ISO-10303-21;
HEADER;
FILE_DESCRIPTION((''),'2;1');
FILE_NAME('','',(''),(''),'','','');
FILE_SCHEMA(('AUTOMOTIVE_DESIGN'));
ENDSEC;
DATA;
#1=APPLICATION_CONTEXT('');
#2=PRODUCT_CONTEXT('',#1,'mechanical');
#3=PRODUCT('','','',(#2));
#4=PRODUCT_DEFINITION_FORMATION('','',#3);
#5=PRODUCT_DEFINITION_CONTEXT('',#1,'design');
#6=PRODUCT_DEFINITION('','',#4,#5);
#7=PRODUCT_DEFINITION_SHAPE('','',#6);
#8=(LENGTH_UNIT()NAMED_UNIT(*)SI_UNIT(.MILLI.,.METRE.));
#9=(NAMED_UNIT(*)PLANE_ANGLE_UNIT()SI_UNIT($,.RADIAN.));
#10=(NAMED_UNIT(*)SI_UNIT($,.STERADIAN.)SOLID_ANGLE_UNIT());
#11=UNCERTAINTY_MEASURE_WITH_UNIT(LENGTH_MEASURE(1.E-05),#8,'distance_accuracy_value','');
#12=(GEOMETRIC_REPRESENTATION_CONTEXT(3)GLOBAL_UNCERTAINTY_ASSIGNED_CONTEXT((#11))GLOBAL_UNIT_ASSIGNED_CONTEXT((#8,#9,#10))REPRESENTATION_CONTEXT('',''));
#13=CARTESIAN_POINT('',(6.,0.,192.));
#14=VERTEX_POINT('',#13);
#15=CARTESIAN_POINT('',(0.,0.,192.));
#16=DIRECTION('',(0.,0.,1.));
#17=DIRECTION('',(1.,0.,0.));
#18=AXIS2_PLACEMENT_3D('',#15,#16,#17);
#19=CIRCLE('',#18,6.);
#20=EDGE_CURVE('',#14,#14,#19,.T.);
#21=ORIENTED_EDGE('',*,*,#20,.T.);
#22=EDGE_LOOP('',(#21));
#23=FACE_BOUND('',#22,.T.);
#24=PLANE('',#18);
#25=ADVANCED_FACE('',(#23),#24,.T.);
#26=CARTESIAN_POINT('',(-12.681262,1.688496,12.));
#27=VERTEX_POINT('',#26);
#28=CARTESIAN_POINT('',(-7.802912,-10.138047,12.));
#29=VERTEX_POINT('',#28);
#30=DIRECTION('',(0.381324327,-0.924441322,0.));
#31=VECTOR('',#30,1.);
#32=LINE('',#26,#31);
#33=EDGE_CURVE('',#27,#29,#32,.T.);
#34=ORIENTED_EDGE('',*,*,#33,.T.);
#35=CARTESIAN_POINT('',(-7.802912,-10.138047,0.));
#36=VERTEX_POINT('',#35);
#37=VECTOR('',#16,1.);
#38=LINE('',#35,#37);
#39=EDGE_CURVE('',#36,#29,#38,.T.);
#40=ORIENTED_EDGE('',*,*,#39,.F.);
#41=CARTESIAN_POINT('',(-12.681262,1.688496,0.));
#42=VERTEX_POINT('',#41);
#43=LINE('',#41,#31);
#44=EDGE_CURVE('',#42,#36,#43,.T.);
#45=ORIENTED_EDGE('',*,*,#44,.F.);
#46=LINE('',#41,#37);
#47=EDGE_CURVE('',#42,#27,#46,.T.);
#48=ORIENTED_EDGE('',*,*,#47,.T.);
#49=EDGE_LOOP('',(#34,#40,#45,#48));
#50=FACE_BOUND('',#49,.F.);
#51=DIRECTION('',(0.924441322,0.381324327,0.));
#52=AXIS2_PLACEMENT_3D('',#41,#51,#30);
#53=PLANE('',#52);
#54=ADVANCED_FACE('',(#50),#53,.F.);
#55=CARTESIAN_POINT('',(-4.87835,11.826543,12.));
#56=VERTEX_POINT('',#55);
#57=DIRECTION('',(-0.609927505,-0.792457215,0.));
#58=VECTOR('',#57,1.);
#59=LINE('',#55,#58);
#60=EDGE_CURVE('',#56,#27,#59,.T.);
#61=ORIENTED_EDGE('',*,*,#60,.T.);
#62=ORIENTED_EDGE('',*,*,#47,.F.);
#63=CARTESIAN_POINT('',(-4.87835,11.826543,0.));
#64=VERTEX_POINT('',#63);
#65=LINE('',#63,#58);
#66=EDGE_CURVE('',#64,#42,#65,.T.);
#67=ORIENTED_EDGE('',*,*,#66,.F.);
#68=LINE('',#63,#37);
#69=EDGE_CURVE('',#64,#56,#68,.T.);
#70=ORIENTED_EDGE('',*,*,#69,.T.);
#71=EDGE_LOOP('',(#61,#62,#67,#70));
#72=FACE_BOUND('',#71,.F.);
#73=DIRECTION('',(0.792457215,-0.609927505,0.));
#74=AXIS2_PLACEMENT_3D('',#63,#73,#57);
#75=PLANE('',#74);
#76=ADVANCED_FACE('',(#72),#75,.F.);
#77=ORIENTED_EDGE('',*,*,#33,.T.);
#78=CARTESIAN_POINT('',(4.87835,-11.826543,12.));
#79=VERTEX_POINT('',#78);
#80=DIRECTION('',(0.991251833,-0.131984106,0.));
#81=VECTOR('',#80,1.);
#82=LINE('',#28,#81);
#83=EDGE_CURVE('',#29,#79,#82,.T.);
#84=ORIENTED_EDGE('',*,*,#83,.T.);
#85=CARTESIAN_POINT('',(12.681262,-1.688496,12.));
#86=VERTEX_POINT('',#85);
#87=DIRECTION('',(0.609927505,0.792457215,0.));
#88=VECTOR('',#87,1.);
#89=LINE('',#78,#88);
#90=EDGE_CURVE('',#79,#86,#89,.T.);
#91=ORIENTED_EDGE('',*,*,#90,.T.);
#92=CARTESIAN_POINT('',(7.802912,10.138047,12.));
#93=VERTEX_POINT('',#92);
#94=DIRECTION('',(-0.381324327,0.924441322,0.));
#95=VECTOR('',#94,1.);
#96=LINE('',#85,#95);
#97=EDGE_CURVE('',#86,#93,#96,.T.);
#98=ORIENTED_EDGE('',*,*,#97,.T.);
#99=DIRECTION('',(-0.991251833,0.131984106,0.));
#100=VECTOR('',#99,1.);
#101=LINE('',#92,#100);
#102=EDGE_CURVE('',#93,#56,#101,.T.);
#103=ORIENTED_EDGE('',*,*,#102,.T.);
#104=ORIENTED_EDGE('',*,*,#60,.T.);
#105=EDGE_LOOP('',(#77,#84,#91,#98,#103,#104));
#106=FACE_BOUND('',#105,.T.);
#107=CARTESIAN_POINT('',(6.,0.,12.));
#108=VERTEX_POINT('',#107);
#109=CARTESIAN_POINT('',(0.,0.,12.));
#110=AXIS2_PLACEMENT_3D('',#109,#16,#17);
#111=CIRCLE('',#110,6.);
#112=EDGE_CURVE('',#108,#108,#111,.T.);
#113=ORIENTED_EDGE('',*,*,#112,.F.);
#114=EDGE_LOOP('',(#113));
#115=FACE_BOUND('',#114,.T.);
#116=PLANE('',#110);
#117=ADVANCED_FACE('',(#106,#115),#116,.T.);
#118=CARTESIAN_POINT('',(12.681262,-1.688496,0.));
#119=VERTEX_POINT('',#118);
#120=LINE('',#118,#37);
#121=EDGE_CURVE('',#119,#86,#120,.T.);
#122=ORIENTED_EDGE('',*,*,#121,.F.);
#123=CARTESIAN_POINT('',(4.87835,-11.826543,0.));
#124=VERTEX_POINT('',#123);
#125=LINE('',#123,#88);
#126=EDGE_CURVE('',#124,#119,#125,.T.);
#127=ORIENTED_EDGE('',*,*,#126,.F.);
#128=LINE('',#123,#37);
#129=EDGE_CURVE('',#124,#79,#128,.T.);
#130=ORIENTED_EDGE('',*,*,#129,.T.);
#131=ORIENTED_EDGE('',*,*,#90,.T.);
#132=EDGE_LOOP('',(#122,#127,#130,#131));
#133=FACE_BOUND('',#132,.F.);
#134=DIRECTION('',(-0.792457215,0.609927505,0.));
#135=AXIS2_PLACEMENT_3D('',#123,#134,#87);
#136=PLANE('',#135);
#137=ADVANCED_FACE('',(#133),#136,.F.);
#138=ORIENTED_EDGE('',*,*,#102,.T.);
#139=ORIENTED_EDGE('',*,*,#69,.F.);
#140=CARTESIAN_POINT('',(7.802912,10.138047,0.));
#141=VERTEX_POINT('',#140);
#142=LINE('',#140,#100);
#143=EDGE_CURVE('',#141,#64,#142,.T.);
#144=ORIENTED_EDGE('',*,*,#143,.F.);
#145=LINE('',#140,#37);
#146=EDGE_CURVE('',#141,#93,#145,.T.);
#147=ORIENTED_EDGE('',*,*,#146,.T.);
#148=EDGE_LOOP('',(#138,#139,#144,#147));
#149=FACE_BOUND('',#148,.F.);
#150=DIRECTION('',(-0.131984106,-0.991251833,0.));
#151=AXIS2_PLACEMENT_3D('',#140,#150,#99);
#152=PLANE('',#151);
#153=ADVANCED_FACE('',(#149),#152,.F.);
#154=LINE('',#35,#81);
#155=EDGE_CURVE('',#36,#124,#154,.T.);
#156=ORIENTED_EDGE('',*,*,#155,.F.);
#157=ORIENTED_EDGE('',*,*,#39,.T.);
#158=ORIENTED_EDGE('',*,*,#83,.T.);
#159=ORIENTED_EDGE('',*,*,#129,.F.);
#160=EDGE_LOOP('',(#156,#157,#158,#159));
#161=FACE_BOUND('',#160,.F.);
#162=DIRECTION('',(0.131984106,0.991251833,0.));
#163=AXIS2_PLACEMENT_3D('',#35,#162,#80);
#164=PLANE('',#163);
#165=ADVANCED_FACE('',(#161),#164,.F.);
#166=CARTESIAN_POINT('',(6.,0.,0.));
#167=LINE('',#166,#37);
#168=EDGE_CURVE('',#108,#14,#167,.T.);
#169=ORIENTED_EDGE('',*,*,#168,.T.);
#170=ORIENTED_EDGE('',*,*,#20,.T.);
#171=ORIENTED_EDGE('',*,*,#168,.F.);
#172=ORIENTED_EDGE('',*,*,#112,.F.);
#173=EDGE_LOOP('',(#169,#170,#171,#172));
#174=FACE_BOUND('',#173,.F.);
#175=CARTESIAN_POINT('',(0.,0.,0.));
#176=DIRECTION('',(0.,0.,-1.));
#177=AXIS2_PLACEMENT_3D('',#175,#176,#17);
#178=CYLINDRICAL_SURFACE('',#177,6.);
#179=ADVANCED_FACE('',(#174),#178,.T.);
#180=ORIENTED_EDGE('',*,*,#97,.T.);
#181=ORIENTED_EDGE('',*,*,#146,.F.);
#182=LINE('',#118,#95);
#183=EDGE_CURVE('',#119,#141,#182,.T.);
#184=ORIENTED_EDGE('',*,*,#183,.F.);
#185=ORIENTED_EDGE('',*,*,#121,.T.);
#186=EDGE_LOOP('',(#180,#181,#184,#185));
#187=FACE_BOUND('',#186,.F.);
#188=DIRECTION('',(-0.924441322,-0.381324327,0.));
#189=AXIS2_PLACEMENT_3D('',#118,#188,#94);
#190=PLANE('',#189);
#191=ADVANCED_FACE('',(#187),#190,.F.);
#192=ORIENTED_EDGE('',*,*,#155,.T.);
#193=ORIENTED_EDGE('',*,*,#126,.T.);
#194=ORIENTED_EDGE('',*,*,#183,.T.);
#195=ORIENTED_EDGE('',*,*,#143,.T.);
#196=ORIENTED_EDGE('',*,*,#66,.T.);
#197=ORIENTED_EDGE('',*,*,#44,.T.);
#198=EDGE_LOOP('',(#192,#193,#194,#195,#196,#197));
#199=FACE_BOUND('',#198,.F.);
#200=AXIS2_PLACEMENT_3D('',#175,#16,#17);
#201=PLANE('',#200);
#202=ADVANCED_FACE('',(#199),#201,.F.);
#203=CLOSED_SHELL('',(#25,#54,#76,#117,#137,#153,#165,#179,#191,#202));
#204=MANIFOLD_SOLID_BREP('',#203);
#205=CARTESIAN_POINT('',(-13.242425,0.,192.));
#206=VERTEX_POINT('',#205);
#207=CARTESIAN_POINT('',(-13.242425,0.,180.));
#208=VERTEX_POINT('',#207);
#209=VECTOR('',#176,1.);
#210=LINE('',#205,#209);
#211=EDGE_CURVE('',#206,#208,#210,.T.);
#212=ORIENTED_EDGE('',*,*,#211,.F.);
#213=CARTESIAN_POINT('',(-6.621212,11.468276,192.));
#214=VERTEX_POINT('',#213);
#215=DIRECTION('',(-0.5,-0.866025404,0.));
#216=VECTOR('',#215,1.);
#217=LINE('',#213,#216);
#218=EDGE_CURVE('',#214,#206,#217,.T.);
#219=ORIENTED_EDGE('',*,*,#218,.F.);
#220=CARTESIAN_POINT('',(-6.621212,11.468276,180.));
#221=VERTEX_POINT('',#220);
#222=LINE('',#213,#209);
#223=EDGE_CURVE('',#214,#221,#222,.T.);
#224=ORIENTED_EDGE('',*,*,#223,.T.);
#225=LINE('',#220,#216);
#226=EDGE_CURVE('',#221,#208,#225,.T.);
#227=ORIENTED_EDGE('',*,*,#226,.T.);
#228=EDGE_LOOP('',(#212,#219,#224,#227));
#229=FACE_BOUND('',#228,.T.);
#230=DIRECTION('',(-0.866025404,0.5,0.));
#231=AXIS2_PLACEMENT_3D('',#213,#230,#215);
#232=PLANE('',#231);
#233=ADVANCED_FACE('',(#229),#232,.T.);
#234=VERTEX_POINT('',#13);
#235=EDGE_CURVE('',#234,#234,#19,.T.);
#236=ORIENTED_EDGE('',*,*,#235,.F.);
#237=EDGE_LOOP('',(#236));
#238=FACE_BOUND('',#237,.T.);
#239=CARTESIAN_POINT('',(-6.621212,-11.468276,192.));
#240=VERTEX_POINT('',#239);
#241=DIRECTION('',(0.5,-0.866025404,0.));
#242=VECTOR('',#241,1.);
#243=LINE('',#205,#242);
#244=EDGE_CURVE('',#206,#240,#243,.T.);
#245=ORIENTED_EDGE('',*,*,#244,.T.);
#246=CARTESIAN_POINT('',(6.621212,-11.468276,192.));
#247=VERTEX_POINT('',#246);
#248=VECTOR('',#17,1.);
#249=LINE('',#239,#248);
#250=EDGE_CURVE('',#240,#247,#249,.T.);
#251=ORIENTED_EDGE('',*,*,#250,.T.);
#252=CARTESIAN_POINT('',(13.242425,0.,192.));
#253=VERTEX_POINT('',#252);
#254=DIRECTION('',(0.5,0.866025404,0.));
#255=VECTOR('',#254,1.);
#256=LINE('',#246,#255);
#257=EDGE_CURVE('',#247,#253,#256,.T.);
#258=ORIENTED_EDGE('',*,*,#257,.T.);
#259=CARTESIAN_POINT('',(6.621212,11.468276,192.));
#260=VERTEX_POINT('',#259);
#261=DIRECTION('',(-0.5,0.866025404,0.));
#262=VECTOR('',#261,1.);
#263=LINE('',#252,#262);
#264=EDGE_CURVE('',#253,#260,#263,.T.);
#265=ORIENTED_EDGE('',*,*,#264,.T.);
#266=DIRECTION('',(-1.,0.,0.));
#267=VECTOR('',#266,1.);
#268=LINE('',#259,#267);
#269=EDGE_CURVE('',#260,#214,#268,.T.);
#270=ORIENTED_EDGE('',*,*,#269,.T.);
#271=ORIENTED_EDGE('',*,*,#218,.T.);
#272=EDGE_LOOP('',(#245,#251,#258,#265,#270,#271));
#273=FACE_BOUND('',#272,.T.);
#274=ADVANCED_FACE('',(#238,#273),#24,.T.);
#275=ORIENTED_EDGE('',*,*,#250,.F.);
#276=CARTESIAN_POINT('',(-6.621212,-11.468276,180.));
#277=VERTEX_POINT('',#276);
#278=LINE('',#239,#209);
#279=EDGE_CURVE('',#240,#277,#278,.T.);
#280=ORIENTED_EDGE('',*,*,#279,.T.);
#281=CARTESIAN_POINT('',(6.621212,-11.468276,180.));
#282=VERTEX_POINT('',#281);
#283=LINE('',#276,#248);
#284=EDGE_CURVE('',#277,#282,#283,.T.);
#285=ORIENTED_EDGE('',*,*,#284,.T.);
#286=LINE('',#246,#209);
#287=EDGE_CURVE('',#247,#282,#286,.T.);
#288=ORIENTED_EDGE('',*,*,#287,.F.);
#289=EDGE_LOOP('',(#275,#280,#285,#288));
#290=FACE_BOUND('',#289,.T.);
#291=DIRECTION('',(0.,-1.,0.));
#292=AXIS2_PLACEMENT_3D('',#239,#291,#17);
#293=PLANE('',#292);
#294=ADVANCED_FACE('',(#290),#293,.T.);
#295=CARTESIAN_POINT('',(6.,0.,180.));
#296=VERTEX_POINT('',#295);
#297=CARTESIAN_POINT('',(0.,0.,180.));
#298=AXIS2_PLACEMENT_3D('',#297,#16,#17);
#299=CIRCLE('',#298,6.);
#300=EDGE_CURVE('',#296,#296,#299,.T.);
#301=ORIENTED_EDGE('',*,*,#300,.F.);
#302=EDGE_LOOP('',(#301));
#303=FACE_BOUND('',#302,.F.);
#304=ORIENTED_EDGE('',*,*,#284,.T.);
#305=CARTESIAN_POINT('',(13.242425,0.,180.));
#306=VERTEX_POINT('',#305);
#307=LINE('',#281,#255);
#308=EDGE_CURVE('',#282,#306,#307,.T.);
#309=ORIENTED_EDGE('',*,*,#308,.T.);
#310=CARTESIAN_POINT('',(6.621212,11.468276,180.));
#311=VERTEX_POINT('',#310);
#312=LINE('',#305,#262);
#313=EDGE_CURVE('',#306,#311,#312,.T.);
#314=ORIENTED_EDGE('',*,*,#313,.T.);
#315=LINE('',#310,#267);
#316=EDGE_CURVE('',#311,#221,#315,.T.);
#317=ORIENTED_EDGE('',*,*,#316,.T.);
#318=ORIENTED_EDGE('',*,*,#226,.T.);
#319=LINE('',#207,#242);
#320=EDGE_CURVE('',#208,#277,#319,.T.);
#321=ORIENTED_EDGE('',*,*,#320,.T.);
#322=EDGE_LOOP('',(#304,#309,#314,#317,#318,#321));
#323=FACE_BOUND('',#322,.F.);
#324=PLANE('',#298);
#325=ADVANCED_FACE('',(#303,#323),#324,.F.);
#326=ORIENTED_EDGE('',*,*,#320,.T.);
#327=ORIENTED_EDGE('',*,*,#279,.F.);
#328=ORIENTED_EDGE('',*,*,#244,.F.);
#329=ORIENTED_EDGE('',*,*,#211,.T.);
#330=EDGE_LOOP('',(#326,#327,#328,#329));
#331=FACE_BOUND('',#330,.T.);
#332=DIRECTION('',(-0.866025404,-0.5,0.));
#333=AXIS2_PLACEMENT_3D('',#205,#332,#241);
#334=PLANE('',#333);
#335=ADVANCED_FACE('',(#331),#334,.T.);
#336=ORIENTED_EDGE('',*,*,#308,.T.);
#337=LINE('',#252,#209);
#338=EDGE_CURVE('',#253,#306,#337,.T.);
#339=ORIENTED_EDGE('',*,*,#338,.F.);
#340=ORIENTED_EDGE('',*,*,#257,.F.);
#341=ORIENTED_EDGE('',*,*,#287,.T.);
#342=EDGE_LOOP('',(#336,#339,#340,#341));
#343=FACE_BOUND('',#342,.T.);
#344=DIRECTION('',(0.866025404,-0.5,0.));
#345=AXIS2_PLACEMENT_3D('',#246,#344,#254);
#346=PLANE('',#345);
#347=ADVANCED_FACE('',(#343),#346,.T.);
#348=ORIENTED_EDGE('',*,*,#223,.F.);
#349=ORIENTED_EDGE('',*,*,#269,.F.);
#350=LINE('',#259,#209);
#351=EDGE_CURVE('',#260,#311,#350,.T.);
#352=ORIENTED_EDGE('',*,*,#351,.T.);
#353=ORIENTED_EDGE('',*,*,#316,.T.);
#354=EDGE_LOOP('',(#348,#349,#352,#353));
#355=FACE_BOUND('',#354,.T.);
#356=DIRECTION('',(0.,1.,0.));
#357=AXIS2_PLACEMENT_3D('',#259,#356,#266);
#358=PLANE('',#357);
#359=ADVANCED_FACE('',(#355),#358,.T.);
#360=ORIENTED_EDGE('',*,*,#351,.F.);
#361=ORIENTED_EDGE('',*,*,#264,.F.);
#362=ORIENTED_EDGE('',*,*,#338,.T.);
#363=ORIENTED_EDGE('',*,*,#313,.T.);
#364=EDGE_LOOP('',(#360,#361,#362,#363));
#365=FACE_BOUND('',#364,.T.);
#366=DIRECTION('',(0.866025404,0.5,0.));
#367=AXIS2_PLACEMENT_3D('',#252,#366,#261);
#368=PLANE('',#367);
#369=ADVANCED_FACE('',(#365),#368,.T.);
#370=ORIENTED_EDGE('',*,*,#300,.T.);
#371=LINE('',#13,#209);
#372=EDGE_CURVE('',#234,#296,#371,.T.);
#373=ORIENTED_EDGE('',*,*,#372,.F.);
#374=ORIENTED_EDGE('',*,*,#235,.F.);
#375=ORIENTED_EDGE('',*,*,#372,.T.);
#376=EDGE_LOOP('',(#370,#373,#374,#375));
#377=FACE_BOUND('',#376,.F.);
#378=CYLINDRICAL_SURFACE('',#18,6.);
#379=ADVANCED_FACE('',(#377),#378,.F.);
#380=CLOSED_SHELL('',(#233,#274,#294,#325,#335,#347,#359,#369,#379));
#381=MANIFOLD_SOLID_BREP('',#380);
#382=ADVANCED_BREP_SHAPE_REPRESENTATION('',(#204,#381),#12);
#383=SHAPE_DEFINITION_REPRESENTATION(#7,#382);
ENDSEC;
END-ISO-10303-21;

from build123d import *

# Parameters (mm, degrees)
F0_R     = 6
F1_DEPTH = 192
F2_DEPTH = 12
F3_R     = 6
F4_DEPTH = 12


with BuildPart() as f1:
    # F0 (on Top) → F1 (new body)
    with BuildSketch(Plane.XY):
        Circle(F0_R)
    extrude(amount=F1_DEPTH)

    # F0 (on Top) → F2 (join)
    with BuildSketch(Plane.XY):
        Polygon((-4.8783502823, 11.8265430801), (-12.6812618875, 1.688496267), (-7.8029116052, -10.1380468131), (4.8783502823, -11.8265430801), (12.6812618875, -1.688496267), (7.8029116052, 10.1380468131), align=None)
        Circle(F0_R, mode=Mode.SUBTRACT)
    extrude(amount=F2_DEPTH)


with BuildPart() as f4:
    # F3 (on face) → F4 (new body)
    with BuildSketch(Plane.XY.offset(192)):
        Polygon((-6.621212456, -11.4682763815), (6.621212456, -11.4682763815), (13.242424912, 0), (6.621212456, 11.4682763815), (-6.621212456, 11.4682763815), (-13.242424912, 0), align=None)
        Circle(F3_R, mode=Mode.SUBTRACT)
    extrude(amount=-F4_DEPTH)


solid = Compound([f1.part, f4.part])
